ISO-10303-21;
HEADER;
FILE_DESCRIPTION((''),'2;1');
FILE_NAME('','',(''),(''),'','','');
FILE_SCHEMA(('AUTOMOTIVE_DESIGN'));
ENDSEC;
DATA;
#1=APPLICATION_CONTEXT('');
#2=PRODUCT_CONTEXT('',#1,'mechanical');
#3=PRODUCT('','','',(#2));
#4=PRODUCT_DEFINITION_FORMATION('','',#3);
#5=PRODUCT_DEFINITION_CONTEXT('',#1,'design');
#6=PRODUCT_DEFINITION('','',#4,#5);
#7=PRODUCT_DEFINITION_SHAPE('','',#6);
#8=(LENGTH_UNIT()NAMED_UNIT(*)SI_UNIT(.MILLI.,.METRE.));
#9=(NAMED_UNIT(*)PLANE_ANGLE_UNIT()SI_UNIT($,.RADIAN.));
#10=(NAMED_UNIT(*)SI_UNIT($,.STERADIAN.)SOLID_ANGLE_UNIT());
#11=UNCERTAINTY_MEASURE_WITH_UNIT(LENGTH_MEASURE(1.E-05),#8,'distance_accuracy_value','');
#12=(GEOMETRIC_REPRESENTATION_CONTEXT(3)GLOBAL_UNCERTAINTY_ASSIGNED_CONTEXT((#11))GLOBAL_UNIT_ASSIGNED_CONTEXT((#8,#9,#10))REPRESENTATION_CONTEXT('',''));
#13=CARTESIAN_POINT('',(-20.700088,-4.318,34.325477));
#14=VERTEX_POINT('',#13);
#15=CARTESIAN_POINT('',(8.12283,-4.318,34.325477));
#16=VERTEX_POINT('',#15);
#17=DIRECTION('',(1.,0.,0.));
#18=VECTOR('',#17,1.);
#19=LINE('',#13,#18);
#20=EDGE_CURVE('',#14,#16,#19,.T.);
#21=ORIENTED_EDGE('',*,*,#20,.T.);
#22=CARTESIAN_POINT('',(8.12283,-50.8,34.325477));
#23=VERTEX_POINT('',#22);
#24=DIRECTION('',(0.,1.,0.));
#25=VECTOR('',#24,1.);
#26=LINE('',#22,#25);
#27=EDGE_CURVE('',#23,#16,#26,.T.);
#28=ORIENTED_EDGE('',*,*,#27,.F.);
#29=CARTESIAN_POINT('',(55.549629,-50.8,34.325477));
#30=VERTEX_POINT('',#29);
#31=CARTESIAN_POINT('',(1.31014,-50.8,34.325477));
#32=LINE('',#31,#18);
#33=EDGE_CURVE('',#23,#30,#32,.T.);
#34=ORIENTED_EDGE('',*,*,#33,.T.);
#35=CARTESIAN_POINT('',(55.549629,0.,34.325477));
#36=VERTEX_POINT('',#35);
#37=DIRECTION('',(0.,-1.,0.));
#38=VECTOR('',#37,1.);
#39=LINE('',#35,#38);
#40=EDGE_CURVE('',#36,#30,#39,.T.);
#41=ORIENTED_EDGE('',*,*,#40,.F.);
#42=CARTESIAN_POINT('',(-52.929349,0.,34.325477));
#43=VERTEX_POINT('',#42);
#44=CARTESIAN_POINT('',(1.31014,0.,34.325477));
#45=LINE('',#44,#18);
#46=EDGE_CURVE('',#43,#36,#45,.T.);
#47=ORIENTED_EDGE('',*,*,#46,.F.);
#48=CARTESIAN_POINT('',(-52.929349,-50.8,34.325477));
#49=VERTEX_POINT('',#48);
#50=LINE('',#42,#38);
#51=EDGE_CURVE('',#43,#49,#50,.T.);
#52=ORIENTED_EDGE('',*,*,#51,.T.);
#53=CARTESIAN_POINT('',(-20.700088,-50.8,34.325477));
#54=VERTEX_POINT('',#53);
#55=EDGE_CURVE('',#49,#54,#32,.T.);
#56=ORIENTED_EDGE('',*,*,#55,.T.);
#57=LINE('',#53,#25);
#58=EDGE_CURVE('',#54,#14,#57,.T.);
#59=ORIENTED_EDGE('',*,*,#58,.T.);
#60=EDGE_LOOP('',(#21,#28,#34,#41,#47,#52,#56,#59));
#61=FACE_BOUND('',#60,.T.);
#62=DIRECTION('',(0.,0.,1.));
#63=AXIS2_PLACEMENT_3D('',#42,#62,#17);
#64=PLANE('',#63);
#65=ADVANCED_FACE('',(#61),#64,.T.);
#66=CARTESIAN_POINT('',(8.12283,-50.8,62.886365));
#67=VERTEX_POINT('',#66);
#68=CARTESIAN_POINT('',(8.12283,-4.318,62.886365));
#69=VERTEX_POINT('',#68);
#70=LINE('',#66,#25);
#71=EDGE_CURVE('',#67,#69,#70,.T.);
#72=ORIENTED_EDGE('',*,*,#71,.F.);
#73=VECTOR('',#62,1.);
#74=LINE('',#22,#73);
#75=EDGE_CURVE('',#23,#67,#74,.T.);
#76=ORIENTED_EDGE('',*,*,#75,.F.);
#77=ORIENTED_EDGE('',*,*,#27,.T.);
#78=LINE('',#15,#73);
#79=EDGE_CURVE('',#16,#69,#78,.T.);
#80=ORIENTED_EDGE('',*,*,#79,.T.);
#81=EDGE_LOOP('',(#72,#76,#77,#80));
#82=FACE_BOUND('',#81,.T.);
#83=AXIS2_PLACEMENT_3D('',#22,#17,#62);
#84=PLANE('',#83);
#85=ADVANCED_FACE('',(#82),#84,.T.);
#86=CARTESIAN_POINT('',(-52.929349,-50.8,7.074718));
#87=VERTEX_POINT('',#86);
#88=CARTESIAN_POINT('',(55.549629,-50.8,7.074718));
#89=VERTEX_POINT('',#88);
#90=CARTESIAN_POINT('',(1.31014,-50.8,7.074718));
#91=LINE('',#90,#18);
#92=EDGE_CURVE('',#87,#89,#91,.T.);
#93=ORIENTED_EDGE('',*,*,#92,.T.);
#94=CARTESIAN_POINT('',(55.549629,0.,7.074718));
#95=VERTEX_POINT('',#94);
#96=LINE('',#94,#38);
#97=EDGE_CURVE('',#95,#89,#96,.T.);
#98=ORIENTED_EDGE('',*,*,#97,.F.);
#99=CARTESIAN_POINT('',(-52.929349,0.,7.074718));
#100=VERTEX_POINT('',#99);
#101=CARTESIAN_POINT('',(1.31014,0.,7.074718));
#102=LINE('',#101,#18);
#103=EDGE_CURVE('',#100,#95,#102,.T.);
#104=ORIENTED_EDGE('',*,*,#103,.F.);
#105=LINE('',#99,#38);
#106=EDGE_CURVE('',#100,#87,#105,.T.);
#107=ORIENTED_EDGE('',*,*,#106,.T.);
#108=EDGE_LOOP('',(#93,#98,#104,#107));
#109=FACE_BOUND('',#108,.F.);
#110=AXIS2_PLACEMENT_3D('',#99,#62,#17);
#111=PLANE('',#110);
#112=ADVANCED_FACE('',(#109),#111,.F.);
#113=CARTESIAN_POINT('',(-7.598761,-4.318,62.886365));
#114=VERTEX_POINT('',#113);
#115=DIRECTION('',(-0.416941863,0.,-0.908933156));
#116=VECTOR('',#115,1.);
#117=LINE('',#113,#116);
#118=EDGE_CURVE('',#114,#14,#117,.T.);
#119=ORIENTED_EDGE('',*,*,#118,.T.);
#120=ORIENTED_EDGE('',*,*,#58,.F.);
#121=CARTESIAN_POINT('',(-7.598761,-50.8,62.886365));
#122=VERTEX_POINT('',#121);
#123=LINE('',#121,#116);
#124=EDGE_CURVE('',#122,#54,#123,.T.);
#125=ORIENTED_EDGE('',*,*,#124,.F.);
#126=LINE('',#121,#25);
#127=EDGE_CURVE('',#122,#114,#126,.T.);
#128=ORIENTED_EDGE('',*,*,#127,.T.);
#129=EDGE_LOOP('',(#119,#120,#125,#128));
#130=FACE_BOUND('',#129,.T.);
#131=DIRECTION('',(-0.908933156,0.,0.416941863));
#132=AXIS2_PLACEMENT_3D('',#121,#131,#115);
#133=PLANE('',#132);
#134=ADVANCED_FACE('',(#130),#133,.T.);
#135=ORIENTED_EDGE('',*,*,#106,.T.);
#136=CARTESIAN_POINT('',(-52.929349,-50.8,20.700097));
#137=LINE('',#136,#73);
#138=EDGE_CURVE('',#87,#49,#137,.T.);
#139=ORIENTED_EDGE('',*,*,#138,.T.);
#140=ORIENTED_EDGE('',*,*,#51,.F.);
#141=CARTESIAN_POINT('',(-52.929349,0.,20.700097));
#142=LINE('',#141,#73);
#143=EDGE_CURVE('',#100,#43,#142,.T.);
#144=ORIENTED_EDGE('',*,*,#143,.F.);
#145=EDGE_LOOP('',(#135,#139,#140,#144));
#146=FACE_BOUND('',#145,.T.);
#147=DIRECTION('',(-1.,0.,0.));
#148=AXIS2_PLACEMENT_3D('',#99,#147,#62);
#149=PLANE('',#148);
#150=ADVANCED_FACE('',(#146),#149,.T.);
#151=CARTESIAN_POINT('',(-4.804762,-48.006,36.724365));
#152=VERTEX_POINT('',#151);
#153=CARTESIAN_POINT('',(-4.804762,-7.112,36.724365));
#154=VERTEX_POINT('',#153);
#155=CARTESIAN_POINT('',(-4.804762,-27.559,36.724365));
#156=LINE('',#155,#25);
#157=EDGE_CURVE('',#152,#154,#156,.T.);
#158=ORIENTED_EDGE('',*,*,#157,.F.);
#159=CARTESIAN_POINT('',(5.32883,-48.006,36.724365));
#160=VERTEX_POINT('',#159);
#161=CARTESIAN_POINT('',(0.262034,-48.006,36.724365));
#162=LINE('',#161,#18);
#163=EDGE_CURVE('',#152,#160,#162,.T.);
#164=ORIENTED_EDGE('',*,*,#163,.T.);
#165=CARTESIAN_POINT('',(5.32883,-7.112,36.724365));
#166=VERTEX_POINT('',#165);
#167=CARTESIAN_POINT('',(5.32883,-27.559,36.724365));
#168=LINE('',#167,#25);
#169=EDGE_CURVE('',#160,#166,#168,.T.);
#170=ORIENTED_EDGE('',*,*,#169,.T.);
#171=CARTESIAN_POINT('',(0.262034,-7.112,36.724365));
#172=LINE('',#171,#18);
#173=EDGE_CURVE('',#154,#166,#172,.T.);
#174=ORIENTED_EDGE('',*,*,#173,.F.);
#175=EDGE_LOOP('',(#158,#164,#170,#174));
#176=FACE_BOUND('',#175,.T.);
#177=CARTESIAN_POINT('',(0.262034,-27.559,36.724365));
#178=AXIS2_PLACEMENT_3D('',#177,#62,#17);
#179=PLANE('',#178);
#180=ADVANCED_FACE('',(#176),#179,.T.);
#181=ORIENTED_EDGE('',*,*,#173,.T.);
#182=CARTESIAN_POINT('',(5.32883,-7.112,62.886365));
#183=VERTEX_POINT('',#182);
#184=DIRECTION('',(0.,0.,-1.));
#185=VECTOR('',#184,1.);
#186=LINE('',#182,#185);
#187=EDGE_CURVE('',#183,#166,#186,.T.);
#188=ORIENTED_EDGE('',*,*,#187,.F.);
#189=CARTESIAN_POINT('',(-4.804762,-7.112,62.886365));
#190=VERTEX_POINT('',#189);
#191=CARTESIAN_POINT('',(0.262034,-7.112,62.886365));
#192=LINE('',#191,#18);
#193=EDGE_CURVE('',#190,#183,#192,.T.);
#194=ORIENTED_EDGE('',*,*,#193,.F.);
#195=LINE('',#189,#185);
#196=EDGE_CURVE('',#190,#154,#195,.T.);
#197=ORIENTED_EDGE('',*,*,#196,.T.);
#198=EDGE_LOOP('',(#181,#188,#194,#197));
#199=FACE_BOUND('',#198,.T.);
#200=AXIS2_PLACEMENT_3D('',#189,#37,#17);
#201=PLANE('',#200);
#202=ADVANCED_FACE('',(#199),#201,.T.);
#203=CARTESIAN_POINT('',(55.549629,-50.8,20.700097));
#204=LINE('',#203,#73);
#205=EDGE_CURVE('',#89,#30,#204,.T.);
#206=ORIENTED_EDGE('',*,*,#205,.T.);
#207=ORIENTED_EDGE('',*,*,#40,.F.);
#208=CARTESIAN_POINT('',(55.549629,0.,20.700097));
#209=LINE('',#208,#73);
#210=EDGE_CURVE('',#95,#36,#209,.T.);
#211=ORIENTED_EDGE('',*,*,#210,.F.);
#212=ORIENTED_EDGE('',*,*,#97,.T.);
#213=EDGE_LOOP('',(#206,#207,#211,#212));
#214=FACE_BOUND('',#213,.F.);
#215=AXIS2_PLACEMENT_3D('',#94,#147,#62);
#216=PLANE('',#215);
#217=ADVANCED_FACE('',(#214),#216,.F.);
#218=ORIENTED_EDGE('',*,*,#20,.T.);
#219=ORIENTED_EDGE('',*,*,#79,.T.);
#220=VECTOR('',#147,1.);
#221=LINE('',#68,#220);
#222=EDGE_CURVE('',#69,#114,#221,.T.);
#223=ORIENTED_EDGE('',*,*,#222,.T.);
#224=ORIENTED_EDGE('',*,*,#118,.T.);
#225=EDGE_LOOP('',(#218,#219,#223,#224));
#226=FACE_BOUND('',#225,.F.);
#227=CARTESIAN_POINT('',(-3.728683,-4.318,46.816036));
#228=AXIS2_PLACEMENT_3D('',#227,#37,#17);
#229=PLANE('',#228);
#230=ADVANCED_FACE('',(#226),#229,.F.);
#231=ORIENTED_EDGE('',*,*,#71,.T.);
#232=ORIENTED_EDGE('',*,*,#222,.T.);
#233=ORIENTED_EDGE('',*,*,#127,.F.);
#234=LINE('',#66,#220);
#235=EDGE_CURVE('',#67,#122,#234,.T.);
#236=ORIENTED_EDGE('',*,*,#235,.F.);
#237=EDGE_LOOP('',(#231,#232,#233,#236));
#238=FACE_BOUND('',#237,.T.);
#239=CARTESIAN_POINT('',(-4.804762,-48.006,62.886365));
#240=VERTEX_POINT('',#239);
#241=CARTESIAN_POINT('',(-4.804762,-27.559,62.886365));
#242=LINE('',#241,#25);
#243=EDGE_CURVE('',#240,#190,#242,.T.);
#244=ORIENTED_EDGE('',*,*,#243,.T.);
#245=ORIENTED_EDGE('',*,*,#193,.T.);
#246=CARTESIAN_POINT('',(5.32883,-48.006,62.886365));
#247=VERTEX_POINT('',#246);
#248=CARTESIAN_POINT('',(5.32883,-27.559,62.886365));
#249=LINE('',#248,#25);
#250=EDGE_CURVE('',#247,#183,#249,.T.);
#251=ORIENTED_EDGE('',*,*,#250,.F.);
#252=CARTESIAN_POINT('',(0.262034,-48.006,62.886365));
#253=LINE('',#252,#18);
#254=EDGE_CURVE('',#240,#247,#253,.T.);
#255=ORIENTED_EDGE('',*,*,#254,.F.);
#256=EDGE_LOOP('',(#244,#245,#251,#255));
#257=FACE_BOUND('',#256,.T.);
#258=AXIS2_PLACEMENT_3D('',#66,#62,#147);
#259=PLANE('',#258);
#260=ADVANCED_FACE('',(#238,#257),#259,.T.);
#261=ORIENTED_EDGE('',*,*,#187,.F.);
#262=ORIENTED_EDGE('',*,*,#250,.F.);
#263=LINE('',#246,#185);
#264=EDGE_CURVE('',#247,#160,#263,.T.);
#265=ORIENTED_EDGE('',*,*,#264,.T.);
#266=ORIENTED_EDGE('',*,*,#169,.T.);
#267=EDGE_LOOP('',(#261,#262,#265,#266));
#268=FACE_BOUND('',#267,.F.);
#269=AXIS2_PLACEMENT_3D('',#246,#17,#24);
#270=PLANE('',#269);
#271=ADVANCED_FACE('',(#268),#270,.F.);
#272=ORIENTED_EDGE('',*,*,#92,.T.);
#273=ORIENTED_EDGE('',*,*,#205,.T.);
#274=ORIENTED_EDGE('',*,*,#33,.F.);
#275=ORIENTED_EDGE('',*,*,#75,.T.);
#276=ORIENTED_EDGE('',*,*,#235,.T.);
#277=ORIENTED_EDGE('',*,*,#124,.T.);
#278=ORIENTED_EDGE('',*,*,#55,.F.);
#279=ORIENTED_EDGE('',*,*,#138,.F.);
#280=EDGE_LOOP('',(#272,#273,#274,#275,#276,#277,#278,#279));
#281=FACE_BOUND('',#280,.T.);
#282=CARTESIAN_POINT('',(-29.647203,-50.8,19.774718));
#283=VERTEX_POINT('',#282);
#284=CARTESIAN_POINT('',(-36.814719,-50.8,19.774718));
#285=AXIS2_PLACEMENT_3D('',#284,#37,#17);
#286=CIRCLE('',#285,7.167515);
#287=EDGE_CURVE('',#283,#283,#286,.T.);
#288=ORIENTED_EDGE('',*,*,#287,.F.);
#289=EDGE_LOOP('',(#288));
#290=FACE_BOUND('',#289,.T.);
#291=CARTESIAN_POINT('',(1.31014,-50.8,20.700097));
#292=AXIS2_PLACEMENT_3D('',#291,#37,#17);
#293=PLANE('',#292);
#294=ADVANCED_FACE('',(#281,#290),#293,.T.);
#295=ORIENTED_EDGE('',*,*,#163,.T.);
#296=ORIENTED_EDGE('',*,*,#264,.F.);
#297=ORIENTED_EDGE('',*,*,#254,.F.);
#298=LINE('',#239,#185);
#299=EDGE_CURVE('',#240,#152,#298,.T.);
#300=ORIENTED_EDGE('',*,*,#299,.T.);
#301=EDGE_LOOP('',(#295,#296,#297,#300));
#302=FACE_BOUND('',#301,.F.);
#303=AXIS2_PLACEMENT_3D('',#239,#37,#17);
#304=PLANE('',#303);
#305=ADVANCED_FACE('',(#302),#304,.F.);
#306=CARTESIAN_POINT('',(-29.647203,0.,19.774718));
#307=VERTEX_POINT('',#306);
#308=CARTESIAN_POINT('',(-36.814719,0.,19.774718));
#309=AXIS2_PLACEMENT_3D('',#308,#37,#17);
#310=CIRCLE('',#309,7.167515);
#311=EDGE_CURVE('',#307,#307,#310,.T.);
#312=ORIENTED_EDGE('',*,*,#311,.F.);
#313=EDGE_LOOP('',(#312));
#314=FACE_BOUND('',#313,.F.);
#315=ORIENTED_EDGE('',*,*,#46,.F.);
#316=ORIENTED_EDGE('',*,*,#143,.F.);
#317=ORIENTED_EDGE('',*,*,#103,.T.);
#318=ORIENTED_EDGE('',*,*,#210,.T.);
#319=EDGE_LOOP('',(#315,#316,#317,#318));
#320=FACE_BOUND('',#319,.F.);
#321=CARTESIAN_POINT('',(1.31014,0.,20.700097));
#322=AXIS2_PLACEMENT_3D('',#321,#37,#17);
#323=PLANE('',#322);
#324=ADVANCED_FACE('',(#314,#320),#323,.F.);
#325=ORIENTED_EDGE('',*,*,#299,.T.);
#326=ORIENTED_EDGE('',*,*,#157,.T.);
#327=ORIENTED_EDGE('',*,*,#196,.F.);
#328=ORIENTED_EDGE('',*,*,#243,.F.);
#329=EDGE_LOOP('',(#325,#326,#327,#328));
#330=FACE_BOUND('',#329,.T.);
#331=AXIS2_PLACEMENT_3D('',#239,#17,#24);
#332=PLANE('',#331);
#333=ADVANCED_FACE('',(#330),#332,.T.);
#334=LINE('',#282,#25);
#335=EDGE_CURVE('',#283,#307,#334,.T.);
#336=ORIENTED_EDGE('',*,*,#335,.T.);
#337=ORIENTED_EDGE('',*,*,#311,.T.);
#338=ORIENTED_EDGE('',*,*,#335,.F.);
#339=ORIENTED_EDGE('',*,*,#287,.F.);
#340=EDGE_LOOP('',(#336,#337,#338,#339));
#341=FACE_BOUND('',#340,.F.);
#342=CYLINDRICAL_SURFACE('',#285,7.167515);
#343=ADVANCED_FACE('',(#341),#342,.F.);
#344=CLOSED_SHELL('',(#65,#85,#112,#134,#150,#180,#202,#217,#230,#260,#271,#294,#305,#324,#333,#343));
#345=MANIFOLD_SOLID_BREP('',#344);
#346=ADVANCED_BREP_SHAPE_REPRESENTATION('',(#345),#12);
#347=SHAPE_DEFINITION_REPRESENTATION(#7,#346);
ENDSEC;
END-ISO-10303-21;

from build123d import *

# Parameters (mm, degrees)
F0_W     = 108.4789782763
F0_H     = 27.2507588379
F1_DEPTH = 50.8
F3_DEPTH = 46.482
F4_R     = 7.1675152866
F5_DEPTH = 50.801
F6_W     = 10.1335914806
F6_H     = 40.894000291
F7_DEPTH = 26.162


with BuildPart() as f1:
    # F0 (on Front) → F1 (new body)
    with BuildSketch(Plane.XZ):
        with Locations((1.3101398945, 20.7000973169)):
            Rectangle(F0_W, F0_H)
    extrude(amount=F1_DEPTH)

    # F2 (on face) → F3 (join)
    with BuildSketch(Plane.XZ.offset(50.8)):
        Polygon((-7.5987614691, 62.886364758), (-20.7000877708, 34.3254767358), (8.1228297204, 34.3254767358), (8.1228297204, 62.886364758), align=None)
    extrude(amount=-F3_DEPTH)

    # F4 (on face) → F5 (cut, through all)
    with BuildSketch(Plane.XZ.offset(50.8)):
        with Locations((-36.8147185072, 19.7747178979)):
            Circle(F4_R)
    extrude(amount=-F5_DEPTH, mode=Mode.SUBTRACT)

    # F6 (on face) → F7 (cut)
    with BuildSketch(Plane.XY.offset(62.886364758)):
        with Locations((0.2620341256, -27.559)):
            Rectangle(F6_W, F6_H)
    extrude(amount=-F7_DEPTH, mode=Mode.SUBTRACT)


solid = f1.part
